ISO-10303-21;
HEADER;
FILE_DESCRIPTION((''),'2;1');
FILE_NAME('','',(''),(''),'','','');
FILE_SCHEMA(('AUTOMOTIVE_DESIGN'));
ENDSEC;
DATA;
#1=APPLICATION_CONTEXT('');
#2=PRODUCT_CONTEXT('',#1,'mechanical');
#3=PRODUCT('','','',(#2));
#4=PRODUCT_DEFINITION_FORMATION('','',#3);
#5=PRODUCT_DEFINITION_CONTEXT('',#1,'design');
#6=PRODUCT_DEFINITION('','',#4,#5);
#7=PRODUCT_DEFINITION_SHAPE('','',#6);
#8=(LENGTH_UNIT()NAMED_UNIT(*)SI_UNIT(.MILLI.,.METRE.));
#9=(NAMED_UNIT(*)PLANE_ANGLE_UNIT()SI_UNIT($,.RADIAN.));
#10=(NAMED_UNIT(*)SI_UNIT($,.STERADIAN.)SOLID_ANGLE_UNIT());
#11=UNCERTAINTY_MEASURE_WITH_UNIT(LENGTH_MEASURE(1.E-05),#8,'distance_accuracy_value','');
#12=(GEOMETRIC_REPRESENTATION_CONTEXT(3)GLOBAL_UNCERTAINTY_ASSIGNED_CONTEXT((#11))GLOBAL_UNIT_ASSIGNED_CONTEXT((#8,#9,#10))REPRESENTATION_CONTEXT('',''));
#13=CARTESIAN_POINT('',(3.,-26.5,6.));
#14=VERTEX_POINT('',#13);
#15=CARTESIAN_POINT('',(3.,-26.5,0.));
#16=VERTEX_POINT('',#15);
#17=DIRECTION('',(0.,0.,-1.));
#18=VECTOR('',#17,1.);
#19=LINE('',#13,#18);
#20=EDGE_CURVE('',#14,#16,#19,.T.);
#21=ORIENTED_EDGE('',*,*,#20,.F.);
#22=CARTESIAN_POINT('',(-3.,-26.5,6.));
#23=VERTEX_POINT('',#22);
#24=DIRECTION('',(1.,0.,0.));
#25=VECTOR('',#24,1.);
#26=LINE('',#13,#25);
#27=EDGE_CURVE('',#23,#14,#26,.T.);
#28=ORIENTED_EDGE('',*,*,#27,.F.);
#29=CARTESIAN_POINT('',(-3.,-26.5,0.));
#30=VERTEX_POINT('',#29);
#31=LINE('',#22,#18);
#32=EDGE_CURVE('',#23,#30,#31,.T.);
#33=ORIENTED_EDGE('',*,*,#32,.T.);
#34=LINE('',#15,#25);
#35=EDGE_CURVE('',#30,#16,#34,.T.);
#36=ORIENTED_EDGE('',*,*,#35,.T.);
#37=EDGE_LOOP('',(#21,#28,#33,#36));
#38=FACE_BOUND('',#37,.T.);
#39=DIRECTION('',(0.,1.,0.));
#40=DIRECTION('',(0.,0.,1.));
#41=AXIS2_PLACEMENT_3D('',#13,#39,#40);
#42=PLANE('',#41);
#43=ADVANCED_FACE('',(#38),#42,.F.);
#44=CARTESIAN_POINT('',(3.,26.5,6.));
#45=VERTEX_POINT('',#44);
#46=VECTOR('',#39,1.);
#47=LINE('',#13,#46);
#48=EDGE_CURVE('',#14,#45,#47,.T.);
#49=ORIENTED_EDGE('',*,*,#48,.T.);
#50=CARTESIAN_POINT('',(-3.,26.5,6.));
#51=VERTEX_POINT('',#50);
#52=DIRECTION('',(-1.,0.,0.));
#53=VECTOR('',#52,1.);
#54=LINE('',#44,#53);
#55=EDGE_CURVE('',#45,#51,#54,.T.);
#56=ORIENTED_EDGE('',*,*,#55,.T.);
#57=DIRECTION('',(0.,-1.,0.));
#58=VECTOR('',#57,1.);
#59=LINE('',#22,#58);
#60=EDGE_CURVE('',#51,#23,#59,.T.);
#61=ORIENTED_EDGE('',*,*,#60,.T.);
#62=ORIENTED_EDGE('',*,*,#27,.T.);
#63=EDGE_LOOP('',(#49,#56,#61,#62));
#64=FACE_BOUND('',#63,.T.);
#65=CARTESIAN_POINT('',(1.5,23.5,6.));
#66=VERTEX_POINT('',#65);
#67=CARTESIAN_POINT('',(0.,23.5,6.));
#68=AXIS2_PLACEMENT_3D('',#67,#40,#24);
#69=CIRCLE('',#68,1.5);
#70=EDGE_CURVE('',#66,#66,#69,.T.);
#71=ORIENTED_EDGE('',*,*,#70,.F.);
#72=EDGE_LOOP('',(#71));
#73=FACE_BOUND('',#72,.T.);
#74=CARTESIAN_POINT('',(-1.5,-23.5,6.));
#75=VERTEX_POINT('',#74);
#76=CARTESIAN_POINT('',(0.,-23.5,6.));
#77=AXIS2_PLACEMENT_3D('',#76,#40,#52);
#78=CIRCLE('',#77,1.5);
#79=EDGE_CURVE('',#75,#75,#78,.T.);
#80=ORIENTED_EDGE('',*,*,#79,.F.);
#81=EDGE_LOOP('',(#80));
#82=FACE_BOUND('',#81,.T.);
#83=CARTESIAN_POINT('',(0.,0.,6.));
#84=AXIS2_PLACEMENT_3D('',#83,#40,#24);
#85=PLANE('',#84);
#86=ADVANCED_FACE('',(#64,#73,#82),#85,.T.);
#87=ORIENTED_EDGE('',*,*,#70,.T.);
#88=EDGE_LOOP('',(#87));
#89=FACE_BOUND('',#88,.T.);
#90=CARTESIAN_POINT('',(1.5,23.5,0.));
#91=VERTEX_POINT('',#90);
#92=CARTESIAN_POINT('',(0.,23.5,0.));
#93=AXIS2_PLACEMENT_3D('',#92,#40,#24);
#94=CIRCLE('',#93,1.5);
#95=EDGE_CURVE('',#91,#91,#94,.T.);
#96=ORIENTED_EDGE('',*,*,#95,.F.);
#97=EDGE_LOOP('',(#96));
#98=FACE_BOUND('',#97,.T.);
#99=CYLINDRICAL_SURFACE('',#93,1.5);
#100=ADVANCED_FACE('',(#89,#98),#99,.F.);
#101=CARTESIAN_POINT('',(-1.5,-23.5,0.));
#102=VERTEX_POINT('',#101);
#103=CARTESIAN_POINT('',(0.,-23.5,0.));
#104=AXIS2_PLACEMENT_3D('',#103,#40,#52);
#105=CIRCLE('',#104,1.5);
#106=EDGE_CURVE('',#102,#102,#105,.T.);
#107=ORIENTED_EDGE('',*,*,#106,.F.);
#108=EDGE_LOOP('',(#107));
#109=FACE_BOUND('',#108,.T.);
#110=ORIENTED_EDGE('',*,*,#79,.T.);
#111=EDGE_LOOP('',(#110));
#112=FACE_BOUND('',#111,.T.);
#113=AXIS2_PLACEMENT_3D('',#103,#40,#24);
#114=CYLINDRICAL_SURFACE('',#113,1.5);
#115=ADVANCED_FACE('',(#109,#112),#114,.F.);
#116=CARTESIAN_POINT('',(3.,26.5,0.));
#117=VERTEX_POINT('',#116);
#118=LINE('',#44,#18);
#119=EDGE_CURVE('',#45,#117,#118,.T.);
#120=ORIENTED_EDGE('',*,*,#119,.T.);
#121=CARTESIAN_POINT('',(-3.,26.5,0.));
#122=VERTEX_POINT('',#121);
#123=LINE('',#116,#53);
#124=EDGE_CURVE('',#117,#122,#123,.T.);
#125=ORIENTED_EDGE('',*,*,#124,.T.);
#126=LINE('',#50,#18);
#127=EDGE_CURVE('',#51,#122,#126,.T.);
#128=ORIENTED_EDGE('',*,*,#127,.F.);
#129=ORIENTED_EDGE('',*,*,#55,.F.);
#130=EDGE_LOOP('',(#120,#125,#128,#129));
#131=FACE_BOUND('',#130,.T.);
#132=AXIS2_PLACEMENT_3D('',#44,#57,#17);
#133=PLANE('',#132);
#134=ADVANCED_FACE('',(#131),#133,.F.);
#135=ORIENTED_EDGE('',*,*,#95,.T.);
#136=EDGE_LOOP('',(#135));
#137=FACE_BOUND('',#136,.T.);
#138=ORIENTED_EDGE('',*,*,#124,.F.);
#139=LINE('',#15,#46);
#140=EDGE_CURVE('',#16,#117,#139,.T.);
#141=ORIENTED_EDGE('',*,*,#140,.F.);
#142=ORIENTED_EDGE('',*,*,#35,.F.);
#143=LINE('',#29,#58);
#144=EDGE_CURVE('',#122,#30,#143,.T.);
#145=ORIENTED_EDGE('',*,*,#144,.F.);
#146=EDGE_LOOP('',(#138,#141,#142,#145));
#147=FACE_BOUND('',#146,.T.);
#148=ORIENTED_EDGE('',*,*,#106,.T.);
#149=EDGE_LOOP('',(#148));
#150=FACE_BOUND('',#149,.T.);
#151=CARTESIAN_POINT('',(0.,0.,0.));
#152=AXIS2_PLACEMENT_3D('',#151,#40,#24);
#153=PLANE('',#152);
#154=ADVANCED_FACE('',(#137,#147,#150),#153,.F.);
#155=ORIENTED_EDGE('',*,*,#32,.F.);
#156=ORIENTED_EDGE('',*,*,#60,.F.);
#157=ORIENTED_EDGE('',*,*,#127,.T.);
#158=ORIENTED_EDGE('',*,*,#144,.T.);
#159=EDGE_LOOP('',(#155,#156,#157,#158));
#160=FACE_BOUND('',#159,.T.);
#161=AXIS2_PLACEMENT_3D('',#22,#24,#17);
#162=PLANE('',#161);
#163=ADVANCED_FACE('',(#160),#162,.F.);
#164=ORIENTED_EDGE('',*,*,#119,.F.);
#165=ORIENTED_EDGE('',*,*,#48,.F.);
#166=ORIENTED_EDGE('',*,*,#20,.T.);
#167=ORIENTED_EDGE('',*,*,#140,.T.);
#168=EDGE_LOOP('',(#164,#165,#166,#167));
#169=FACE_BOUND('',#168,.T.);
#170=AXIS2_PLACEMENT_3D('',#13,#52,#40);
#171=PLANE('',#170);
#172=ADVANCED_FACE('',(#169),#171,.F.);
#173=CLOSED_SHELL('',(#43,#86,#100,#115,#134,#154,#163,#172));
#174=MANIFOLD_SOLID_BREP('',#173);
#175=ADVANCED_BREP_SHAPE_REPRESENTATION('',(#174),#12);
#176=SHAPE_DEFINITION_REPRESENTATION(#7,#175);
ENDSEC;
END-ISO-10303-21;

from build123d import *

# Parameters (mm, degrees)
SKETCH_1_W          = 6
SKETCH_1_H          = 53
EXTRUDE_1_DEPTH     = 6
SKETCH_2_R          = 1.5
CUT_EXTRUDE_1_DEPTH = 6


with BuildPart() as part:
    # 草图1 → 凸台-拉伸1 (new body)
    with BuildSketch(Plane.XY):
        Rectangle(SKETCH_1_W, SKETCH_1_H)
    extrude(amount=EXTRUDE_1_DEPTH)

    # 草图2 → 切除-拉伸1 (cut)
    with BuildSketch(Plane.XY.offset(6)):
        with Locations((0, 23.5)):
            Circle(SKETCH_2_R)
        with Locations(Location((0, -23.5, 0), (0, 0, 180))):
            Circle(SKETCH_2_R)
    extrude(amount=-CUT_EXTRUDE_1_DEPTH, mode=Mode.SUBTRACT)


solid = part.part
